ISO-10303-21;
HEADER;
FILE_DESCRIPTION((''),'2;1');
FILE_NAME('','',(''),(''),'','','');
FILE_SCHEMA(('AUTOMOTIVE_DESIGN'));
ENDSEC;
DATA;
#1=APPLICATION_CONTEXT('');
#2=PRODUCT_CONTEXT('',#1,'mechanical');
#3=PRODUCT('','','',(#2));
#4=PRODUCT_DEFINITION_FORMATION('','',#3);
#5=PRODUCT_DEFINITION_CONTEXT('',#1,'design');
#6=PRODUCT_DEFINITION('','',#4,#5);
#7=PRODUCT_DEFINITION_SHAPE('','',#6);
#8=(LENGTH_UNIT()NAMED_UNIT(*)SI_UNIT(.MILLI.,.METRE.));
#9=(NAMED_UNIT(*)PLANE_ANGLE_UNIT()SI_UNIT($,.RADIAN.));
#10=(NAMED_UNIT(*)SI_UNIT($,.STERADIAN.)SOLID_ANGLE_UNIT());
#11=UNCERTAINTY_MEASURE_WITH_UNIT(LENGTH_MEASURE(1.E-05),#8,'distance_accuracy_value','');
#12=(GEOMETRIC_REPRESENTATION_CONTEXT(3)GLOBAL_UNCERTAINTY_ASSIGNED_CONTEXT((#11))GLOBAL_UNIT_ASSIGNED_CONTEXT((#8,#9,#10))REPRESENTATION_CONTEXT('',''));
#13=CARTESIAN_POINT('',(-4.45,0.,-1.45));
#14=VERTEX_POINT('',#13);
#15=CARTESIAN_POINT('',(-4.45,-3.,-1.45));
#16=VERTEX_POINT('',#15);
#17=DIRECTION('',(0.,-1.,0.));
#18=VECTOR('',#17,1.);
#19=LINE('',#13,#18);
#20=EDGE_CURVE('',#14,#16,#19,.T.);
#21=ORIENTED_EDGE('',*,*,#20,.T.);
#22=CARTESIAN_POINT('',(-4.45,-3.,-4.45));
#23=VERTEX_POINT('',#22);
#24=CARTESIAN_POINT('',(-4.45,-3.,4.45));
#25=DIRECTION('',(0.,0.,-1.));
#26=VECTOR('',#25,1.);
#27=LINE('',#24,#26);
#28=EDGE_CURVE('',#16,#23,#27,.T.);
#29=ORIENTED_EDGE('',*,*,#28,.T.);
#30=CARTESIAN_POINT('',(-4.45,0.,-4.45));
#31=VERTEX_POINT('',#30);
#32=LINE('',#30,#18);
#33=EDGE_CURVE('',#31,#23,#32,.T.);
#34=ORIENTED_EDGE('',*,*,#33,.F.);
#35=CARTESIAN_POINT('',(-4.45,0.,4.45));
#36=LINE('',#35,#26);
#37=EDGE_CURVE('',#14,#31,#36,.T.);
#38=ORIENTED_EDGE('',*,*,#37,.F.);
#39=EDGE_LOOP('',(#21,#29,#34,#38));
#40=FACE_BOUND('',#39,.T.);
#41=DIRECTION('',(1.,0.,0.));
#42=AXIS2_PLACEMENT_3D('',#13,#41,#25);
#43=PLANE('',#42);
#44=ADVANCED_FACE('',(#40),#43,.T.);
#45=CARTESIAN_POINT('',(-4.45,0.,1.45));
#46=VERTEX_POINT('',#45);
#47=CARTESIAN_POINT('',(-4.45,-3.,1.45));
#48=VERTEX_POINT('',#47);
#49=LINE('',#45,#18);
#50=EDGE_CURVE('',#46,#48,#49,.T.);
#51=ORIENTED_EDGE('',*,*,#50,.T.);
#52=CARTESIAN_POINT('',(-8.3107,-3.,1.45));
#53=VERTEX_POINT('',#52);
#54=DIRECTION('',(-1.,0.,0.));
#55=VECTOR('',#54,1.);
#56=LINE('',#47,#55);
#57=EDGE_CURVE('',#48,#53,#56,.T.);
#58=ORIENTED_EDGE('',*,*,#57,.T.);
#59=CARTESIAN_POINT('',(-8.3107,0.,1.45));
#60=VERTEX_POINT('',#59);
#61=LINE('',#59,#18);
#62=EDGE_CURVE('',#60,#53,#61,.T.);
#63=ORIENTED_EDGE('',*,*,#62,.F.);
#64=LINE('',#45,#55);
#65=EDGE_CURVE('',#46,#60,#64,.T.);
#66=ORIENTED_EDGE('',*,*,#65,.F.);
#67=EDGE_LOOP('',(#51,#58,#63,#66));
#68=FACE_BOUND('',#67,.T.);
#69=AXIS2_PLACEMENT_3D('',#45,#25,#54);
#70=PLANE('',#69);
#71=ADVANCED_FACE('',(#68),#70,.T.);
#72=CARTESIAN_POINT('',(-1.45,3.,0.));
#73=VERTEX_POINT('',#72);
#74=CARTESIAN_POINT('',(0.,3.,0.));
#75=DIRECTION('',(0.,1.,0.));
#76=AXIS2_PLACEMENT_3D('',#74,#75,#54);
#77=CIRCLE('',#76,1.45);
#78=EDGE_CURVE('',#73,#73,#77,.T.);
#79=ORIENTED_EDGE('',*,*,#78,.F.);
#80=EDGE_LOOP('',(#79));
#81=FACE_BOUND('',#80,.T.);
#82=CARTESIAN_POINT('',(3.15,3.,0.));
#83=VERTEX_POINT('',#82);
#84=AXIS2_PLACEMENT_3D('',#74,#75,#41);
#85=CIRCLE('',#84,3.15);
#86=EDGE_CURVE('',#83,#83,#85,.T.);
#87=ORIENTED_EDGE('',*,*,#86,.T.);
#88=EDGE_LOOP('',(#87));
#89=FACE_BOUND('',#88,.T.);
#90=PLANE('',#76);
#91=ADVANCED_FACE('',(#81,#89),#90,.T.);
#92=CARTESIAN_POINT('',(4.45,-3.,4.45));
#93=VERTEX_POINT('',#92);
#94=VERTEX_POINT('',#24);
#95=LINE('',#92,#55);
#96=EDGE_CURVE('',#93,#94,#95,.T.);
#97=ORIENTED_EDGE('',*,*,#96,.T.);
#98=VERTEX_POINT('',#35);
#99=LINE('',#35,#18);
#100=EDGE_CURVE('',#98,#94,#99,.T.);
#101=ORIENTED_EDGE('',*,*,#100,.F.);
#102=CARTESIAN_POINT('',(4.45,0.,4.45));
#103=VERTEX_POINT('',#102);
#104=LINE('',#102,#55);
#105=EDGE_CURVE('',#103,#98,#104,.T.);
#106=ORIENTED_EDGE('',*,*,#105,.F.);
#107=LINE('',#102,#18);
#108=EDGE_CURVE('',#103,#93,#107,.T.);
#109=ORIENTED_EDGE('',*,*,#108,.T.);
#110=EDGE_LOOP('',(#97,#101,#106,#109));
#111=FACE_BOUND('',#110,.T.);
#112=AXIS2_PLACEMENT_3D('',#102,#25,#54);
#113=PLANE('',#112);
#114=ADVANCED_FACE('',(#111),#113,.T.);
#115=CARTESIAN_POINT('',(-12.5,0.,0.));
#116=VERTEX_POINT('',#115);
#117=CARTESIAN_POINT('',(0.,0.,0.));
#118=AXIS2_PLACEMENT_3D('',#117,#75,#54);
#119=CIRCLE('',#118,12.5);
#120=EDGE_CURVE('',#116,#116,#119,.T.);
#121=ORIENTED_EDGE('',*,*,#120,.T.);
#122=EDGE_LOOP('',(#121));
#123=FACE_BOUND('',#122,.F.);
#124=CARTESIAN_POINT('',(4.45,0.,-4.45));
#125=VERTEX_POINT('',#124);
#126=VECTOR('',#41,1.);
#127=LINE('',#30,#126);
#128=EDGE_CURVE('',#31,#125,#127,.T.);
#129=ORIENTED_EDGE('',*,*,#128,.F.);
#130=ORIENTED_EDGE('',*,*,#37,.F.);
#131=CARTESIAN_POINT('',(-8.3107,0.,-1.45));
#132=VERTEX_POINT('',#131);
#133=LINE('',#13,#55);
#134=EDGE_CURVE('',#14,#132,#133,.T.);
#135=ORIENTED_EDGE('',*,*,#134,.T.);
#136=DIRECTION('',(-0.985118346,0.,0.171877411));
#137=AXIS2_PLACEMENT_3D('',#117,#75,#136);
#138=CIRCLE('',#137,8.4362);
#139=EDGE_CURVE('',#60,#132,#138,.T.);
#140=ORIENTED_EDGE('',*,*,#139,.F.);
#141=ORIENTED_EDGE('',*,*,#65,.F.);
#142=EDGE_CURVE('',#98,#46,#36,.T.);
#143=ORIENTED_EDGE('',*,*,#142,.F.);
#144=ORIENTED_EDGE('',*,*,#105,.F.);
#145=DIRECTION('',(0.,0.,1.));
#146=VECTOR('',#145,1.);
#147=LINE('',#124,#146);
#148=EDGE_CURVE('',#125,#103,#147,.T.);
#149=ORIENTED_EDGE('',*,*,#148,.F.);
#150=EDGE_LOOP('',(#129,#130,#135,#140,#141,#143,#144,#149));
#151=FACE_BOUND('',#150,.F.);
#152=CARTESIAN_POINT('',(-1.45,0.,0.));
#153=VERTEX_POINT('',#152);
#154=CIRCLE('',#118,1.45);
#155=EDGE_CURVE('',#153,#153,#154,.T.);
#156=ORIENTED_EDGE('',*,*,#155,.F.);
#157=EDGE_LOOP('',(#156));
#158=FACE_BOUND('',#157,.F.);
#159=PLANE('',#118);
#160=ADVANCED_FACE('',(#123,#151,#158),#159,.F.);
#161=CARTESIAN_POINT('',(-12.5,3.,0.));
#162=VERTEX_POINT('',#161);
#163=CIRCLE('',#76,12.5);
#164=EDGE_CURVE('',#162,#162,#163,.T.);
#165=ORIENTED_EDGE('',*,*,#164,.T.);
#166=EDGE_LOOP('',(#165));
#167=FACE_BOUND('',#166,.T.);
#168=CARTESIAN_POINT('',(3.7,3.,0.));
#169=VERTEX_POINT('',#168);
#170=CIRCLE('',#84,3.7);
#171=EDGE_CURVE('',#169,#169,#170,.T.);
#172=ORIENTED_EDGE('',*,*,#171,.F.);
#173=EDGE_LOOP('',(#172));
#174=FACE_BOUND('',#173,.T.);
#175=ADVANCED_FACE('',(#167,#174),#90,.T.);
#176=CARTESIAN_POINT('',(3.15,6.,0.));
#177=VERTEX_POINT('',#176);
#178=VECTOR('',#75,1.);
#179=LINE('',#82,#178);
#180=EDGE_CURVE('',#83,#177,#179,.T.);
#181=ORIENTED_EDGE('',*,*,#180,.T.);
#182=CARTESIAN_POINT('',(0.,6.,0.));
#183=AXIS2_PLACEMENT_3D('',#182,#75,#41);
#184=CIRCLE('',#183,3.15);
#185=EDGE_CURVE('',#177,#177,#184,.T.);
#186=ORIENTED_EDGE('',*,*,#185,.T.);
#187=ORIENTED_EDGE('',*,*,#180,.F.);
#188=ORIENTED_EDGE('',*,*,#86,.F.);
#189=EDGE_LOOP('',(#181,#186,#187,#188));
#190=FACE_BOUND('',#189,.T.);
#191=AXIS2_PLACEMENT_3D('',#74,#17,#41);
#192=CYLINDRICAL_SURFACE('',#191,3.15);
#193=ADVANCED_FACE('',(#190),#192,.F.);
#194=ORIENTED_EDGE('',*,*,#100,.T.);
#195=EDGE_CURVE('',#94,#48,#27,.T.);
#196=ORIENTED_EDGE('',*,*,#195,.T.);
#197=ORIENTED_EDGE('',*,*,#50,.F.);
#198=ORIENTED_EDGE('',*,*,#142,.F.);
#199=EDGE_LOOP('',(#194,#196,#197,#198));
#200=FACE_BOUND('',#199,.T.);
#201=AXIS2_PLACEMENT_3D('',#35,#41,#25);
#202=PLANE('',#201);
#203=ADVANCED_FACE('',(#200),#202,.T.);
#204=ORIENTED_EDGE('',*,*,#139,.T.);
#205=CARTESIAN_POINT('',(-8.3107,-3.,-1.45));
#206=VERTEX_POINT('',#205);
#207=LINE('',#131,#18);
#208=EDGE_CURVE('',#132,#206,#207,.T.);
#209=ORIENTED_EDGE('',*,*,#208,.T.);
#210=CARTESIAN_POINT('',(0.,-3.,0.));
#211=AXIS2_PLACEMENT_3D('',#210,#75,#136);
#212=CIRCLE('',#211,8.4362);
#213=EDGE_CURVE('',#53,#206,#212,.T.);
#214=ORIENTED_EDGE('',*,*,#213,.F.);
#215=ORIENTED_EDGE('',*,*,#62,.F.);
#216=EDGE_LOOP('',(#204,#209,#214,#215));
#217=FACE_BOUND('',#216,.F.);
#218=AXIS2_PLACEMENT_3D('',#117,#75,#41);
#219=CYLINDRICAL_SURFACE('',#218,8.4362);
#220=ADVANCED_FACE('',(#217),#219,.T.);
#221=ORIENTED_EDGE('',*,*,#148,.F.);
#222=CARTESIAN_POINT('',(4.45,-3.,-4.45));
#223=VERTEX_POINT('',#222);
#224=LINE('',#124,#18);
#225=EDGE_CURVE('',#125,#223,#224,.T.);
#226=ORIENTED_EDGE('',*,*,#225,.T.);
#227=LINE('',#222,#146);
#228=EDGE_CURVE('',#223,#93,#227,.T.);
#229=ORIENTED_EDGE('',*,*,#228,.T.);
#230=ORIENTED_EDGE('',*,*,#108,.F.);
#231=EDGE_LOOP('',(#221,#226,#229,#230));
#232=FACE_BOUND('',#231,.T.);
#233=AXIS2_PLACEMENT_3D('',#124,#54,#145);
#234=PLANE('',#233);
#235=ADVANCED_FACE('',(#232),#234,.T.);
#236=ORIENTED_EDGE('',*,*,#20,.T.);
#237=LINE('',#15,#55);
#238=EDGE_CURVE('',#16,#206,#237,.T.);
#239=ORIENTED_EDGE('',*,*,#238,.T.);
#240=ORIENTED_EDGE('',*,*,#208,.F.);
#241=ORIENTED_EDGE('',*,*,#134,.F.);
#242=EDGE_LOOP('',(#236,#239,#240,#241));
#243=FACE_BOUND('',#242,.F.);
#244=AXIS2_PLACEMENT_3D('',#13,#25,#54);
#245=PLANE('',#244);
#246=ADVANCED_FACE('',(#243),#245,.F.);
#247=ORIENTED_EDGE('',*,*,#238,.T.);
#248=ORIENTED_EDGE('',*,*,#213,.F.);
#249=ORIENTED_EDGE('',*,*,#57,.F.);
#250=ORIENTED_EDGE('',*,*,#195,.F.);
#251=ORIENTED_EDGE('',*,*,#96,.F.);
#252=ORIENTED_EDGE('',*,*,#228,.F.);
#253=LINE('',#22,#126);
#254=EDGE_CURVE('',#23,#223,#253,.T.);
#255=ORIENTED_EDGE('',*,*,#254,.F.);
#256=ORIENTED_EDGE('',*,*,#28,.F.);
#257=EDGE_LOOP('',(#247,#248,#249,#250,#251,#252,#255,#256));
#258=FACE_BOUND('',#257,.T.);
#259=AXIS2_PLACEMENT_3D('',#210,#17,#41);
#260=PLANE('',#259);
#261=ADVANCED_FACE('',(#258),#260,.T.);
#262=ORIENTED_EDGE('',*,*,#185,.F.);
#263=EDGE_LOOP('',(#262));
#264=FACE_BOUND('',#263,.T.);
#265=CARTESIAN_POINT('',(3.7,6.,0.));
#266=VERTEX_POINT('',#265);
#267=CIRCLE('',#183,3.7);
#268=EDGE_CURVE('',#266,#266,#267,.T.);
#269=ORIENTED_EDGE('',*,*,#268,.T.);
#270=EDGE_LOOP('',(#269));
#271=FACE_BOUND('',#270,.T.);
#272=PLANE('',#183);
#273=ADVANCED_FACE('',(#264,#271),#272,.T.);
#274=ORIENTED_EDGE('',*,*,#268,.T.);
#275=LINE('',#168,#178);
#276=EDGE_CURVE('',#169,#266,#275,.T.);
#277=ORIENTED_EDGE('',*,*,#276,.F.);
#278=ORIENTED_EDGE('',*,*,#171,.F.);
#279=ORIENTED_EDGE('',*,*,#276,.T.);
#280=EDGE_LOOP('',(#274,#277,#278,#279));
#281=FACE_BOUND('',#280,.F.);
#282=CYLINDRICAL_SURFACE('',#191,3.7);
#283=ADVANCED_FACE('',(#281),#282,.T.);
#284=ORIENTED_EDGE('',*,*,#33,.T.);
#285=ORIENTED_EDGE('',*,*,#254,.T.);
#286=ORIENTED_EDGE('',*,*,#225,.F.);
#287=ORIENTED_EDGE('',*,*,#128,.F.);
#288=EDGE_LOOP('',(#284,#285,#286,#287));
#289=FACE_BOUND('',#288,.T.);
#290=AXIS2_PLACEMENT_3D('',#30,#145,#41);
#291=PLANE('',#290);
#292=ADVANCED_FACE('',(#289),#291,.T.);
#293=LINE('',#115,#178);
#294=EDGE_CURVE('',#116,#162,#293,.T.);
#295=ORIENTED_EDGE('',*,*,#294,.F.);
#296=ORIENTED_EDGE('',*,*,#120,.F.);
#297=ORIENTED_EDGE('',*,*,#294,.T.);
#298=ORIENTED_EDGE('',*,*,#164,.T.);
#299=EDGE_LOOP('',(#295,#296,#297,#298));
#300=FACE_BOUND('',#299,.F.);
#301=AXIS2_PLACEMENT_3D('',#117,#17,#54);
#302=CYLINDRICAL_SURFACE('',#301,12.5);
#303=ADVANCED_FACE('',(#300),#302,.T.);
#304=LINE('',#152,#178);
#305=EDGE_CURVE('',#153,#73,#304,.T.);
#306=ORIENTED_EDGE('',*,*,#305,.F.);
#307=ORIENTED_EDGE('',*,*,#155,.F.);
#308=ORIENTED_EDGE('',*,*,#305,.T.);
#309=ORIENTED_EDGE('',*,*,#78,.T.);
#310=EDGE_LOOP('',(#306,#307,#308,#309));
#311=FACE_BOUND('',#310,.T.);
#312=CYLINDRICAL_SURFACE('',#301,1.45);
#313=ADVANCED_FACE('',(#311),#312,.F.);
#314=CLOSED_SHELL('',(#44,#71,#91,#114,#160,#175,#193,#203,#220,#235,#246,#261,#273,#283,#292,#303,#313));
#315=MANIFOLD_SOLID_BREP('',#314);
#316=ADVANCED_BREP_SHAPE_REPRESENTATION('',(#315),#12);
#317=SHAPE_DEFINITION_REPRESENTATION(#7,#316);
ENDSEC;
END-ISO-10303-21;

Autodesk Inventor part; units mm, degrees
ref_plane "YZ Plane" through (0, 0, 0) normal (1, 0, 0) x (0, 1, 0)
ref_plane "XZ Plane" through (0, 0, 0) normal (0, 1, 0) x (-1, 0, 0)
ref_plane "XY Plane" through (0, 0, 0) normal (0, 0, 1) x (1, 0, 0)
sketch "Sketch1" plane through (0, 0, 0) normal (0, 1, 0) x (-1, 0, 0)
  circle A0 centre (0, 0) radius 12.5
  circle A1 centre (0, 0) radius 1.45
  dimension "d0" = 25
  dimension "d1" = 2.9
extrude "Extrusion1" add sketch "Sketch1" along normal blind 3
sketch "Sketch2" plane through (0, 3, 0) normal (0, 1, 0) x (1, 0, 0)
  circle A0 centre (0, 0) radius 1.45 projected
  circle A1 centre (0, 0) radius 3.15
  circle A2 centre (0, 0) radius 3.7
  dimension "d4" = 6.3
  dimension "d5" = 7.4
extrude "Extrusion2" add sketch "Sketch2" along normal blind 3 contours A2
sketch "Sketch3" plane through (0, 0, 0) normal (0, -1, 0) x (1, 0, 0)
  circle A0 centre (0, 0) radius 1.45 projected
  line L0 (-4.45, -4.45) -> (4.45, -4.45)
  line L1 (4.45, -4.45) -> (4.45, 4.45)
  line L2 (4.45, 4.45) -> (-4.45, 4.45)
  line L3 (-4.45, 4.45) -> (-4.45, -4.45)
  line L4 (-4.45, -4.45) -> (4.45, 4.45) construction
  line L5 (4.45, -4.45) -> (-4.45, 4.45) construction
  circle A1 centre (0, 0) radius 8.4362
  line L6 (-4.45, 1.45) -> (-8.3107, 1.45)
  line L7 (-4.45, -1.45) -> (-8.3107, -1.45)
  dimension "d8" = 8.9
  dimension "d9" = 8.9
extrude "Extrusion3" add sketch "Sketch3" along normal blind 3 contours L0 L1 L2 L3 L6 A1 L7
properties part number "30_CUBE_openSIM_Laser_FPC_mount"
